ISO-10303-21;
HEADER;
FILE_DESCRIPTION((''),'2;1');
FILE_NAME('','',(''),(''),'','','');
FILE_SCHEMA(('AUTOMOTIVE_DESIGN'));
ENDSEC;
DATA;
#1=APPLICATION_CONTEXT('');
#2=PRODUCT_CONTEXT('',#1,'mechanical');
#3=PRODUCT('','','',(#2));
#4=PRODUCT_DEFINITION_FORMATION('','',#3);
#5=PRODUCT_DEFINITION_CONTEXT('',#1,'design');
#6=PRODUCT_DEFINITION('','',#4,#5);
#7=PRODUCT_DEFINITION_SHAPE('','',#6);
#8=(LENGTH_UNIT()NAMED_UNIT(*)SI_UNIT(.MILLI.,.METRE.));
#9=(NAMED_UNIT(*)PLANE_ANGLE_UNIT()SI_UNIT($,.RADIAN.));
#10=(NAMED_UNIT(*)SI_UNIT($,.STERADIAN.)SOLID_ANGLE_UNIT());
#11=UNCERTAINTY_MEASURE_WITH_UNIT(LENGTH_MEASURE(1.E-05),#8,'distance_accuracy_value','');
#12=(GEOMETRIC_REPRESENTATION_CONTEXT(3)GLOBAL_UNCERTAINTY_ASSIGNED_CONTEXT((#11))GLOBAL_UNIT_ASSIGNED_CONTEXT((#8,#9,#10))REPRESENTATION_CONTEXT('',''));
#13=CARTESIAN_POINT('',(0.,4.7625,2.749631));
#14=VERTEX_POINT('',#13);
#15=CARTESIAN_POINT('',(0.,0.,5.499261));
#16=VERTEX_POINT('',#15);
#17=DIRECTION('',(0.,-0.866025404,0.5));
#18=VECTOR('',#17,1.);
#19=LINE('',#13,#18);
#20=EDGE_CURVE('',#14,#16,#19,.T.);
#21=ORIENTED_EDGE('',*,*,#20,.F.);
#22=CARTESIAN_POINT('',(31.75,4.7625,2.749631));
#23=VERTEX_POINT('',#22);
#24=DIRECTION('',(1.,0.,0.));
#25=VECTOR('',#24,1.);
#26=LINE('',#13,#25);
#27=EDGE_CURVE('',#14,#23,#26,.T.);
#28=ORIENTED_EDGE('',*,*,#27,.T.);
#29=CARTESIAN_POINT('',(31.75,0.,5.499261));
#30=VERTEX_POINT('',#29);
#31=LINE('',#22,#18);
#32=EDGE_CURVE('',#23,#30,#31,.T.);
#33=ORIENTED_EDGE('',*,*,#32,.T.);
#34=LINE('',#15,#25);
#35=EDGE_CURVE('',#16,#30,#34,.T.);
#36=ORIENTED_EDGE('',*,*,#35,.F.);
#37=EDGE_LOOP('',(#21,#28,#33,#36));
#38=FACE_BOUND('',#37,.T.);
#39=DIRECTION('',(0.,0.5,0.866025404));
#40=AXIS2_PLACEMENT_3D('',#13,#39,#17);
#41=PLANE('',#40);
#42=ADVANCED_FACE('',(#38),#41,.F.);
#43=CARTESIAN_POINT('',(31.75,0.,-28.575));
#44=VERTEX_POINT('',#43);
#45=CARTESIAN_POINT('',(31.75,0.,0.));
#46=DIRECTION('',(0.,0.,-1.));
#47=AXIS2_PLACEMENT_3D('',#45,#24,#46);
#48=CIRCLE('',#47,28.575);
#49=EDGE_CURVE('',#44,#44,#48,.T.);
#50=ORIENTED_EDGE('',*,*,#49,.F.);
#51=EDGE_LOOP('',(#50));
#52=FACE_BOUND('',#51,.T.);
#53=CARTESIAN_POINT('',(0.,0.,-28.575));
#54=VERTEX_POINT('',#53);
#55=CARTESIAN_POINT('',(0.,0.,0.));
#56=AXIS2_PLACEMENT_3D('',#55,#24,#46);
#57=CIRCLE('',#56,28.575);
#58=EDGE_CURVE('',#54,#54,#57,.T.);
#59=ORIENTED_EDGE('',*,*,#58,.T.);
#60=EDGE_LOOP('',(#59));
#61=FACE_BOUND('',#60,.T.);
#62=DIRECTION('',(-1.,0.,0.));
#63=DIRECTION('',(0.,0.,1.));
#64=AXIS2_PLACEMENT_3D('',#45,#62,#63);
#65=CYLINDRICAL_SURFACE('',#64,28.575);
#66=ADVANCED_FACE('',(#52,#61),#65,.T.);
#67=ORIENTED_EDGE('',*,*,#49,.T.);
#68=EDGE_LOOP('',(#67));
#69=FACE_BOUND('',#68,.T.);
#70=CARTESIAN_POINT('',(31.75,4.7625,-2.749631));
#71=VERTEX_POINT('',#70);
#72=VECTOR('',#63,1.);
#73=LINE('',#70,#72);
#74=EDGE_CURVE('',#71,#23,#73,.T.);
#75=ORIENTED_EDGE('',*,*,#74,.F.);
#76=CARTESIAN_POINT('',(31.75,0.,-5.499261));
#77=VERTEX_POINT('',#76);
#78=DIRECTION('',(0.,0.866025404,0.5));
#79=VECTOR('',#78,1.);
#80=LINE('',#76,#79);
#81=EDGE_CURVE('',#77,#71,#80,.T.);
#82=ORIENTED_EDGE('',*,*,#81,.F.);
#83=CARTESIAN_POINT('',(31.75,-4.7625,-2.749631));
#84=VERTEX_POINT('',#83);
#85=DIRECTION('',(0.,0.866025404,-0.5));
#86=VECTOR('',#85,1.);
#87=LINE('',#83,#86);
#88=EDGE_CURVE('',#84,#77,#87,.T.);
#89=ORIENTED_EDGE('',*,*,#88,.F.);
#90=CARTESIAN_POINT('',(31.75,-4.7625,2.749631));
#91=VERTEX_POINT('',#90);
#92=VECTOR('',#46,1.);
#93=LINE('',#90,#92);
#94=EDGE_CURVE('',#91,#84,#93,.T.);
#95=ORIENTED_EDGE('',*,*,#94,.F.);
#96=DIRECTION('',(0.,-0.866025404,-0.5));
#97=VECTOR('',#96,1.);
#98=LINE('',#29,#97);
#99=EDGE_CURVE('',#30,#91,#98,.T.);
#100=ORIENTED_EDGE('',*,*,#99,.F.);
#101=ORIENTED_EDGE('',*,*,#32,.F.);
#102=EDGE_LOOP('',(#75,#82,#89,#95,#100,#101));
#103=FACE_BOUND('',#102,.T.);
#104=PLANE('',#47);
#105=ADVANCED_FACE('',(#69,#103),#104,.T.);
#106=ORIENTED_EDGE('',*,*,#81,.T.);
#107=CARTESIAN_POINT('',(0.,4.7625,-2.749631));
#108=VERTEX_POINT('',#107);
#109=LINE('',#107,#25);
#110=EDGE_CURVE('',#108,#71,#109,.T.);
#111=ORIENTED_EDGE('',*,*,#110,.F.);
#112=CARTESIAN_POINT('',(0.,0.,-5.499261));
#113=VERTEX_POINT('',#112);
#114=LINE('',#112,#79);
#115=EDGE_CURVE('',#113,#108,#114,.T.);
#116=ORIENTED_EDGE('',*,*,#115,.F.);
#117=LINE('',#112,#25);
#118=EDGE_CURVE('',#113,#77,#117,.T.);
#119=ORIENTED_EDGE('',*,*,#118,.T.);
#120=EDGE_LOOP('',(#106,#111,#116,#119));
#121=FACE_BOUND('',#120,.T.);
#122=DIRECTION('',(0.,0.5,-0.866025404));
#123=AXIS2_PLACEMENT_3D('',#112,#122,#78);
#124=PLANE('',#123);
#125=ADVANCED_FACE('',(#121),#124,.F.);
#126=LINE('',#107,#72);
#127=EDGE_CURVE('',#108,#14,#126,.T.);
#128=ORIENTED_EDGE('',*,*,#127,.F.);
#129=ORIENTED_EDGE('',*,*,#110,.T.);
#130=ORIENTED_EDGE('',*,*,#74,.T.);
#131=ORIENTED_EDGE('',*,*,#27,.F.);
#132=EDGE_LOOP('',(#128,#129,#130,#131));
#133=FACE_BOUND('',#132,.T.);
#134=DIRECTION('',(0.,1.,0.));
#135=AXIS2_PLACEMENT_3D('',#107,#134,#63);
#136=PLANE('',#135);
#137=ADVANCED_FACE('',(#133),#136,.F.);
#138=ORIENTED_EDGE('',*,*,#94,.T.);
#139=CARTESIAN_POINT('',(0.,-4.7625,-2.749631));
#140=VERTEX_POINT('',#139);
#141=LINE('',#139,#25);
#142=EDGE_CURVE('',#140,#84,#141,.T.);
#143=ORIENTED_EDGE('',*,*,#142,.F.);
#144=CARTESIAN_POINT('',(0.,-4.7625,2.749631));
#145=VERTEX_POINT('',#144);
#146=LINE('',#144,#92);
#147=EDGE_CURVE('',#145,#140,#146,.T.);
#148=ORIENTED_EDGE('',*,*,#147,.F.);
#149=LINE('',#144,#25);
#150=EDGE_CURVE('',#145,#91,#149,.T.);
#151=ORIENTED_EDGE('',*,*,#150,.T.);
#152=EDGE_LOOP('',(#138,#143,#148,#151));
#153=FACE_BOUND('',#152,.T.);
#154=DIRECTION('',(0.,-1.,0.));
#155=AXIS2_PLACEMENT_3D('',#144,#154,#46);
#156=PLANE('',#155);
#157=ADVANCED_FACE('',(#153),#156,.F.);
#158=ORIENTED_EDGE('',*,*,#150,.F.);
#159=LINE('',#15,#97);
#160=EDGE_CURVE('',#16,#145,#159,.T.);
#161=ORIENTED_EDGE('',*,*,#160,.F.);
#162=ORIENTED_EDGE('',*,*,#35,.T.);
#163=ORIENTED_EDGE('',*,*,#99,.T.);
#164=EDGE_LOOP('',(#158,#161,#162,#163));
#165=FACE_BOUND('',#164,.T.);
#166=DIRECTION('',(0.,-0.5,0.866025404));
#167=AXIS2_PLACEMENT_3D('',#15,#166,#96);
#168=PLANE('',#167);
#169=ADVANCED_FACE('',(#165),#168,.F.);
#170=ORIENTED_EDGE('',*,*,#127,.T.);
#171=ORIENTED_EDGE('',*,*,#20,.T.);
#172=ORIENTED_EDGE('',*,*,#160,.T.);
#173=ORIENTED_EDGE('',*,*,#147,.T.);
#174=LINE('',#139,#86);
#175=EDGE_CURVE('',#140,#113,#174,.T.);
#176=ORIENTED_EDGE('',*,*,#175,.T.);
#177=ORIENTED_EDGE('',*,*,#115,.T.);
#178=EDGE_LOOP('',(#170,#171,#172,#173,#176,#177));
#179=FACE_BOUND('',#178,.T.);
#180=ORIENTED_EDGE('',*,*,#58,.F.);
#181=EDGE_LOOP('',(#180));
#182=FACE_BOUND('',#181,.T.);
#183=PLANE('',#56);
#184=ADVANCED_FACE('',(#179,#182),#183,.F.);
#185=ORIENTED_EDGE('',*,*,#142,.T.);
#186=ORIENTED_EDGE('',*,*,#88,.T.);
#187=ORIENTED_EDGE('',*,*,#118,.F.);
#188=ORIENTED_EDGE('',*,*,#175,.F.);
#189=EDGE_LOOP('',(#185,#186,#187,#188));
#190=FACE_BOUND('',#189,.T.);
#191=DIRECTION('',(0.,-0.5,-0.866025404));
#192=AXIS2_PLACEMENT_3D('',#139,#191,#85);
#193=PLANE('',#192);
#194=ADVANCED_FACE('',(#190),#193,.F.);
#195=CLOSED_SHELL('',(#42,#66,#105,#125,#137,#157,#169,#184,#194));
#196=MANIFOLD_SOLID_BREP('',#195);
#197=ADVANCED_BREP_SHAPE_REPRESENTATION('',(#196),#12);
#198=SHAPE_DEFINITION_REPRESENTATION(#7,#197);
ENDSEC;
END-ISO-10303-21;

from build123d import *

# Parameters (mm, degrees)
SKETCH1_R           = 28.575
BOSS_EXTRUDE1_DEPTH = 31.75
CUT_EXTRUDE1_DEPTH  = 32.75


with BuildPart() as part:
    # Sketch1 → Boss-Extrude1 (new body)
    with BuildSketch(Plane(origin=(0, 0, 0), x_dir=(0, 0, -1), z_dir=(1, 0, 0))):
        Circle(SKETCH1_R)
    extrude(amount=BOSS_EXTRUDE1_DEPTH)

    # Sketch2 → Cut-Extrude1 (cut, through all)
    with BuildSketch(Plane(origin=(31.75, 0, 0), x_dir=(0, 0, -1), z_dir=(1, 0, 0))):
        Polygon((2.749630657, -4.7625), (5.499261314, 0), (2.749630657, 4.7625), (-2.749630657, 4.7625), (-5.499261314, 0), (-2.749630657, -4.7625), align=None)
    extrude(amount=-CUT_EXTRUDE1_DEPTH, mode=Mode.SUBTRACT)


solid = part.part
